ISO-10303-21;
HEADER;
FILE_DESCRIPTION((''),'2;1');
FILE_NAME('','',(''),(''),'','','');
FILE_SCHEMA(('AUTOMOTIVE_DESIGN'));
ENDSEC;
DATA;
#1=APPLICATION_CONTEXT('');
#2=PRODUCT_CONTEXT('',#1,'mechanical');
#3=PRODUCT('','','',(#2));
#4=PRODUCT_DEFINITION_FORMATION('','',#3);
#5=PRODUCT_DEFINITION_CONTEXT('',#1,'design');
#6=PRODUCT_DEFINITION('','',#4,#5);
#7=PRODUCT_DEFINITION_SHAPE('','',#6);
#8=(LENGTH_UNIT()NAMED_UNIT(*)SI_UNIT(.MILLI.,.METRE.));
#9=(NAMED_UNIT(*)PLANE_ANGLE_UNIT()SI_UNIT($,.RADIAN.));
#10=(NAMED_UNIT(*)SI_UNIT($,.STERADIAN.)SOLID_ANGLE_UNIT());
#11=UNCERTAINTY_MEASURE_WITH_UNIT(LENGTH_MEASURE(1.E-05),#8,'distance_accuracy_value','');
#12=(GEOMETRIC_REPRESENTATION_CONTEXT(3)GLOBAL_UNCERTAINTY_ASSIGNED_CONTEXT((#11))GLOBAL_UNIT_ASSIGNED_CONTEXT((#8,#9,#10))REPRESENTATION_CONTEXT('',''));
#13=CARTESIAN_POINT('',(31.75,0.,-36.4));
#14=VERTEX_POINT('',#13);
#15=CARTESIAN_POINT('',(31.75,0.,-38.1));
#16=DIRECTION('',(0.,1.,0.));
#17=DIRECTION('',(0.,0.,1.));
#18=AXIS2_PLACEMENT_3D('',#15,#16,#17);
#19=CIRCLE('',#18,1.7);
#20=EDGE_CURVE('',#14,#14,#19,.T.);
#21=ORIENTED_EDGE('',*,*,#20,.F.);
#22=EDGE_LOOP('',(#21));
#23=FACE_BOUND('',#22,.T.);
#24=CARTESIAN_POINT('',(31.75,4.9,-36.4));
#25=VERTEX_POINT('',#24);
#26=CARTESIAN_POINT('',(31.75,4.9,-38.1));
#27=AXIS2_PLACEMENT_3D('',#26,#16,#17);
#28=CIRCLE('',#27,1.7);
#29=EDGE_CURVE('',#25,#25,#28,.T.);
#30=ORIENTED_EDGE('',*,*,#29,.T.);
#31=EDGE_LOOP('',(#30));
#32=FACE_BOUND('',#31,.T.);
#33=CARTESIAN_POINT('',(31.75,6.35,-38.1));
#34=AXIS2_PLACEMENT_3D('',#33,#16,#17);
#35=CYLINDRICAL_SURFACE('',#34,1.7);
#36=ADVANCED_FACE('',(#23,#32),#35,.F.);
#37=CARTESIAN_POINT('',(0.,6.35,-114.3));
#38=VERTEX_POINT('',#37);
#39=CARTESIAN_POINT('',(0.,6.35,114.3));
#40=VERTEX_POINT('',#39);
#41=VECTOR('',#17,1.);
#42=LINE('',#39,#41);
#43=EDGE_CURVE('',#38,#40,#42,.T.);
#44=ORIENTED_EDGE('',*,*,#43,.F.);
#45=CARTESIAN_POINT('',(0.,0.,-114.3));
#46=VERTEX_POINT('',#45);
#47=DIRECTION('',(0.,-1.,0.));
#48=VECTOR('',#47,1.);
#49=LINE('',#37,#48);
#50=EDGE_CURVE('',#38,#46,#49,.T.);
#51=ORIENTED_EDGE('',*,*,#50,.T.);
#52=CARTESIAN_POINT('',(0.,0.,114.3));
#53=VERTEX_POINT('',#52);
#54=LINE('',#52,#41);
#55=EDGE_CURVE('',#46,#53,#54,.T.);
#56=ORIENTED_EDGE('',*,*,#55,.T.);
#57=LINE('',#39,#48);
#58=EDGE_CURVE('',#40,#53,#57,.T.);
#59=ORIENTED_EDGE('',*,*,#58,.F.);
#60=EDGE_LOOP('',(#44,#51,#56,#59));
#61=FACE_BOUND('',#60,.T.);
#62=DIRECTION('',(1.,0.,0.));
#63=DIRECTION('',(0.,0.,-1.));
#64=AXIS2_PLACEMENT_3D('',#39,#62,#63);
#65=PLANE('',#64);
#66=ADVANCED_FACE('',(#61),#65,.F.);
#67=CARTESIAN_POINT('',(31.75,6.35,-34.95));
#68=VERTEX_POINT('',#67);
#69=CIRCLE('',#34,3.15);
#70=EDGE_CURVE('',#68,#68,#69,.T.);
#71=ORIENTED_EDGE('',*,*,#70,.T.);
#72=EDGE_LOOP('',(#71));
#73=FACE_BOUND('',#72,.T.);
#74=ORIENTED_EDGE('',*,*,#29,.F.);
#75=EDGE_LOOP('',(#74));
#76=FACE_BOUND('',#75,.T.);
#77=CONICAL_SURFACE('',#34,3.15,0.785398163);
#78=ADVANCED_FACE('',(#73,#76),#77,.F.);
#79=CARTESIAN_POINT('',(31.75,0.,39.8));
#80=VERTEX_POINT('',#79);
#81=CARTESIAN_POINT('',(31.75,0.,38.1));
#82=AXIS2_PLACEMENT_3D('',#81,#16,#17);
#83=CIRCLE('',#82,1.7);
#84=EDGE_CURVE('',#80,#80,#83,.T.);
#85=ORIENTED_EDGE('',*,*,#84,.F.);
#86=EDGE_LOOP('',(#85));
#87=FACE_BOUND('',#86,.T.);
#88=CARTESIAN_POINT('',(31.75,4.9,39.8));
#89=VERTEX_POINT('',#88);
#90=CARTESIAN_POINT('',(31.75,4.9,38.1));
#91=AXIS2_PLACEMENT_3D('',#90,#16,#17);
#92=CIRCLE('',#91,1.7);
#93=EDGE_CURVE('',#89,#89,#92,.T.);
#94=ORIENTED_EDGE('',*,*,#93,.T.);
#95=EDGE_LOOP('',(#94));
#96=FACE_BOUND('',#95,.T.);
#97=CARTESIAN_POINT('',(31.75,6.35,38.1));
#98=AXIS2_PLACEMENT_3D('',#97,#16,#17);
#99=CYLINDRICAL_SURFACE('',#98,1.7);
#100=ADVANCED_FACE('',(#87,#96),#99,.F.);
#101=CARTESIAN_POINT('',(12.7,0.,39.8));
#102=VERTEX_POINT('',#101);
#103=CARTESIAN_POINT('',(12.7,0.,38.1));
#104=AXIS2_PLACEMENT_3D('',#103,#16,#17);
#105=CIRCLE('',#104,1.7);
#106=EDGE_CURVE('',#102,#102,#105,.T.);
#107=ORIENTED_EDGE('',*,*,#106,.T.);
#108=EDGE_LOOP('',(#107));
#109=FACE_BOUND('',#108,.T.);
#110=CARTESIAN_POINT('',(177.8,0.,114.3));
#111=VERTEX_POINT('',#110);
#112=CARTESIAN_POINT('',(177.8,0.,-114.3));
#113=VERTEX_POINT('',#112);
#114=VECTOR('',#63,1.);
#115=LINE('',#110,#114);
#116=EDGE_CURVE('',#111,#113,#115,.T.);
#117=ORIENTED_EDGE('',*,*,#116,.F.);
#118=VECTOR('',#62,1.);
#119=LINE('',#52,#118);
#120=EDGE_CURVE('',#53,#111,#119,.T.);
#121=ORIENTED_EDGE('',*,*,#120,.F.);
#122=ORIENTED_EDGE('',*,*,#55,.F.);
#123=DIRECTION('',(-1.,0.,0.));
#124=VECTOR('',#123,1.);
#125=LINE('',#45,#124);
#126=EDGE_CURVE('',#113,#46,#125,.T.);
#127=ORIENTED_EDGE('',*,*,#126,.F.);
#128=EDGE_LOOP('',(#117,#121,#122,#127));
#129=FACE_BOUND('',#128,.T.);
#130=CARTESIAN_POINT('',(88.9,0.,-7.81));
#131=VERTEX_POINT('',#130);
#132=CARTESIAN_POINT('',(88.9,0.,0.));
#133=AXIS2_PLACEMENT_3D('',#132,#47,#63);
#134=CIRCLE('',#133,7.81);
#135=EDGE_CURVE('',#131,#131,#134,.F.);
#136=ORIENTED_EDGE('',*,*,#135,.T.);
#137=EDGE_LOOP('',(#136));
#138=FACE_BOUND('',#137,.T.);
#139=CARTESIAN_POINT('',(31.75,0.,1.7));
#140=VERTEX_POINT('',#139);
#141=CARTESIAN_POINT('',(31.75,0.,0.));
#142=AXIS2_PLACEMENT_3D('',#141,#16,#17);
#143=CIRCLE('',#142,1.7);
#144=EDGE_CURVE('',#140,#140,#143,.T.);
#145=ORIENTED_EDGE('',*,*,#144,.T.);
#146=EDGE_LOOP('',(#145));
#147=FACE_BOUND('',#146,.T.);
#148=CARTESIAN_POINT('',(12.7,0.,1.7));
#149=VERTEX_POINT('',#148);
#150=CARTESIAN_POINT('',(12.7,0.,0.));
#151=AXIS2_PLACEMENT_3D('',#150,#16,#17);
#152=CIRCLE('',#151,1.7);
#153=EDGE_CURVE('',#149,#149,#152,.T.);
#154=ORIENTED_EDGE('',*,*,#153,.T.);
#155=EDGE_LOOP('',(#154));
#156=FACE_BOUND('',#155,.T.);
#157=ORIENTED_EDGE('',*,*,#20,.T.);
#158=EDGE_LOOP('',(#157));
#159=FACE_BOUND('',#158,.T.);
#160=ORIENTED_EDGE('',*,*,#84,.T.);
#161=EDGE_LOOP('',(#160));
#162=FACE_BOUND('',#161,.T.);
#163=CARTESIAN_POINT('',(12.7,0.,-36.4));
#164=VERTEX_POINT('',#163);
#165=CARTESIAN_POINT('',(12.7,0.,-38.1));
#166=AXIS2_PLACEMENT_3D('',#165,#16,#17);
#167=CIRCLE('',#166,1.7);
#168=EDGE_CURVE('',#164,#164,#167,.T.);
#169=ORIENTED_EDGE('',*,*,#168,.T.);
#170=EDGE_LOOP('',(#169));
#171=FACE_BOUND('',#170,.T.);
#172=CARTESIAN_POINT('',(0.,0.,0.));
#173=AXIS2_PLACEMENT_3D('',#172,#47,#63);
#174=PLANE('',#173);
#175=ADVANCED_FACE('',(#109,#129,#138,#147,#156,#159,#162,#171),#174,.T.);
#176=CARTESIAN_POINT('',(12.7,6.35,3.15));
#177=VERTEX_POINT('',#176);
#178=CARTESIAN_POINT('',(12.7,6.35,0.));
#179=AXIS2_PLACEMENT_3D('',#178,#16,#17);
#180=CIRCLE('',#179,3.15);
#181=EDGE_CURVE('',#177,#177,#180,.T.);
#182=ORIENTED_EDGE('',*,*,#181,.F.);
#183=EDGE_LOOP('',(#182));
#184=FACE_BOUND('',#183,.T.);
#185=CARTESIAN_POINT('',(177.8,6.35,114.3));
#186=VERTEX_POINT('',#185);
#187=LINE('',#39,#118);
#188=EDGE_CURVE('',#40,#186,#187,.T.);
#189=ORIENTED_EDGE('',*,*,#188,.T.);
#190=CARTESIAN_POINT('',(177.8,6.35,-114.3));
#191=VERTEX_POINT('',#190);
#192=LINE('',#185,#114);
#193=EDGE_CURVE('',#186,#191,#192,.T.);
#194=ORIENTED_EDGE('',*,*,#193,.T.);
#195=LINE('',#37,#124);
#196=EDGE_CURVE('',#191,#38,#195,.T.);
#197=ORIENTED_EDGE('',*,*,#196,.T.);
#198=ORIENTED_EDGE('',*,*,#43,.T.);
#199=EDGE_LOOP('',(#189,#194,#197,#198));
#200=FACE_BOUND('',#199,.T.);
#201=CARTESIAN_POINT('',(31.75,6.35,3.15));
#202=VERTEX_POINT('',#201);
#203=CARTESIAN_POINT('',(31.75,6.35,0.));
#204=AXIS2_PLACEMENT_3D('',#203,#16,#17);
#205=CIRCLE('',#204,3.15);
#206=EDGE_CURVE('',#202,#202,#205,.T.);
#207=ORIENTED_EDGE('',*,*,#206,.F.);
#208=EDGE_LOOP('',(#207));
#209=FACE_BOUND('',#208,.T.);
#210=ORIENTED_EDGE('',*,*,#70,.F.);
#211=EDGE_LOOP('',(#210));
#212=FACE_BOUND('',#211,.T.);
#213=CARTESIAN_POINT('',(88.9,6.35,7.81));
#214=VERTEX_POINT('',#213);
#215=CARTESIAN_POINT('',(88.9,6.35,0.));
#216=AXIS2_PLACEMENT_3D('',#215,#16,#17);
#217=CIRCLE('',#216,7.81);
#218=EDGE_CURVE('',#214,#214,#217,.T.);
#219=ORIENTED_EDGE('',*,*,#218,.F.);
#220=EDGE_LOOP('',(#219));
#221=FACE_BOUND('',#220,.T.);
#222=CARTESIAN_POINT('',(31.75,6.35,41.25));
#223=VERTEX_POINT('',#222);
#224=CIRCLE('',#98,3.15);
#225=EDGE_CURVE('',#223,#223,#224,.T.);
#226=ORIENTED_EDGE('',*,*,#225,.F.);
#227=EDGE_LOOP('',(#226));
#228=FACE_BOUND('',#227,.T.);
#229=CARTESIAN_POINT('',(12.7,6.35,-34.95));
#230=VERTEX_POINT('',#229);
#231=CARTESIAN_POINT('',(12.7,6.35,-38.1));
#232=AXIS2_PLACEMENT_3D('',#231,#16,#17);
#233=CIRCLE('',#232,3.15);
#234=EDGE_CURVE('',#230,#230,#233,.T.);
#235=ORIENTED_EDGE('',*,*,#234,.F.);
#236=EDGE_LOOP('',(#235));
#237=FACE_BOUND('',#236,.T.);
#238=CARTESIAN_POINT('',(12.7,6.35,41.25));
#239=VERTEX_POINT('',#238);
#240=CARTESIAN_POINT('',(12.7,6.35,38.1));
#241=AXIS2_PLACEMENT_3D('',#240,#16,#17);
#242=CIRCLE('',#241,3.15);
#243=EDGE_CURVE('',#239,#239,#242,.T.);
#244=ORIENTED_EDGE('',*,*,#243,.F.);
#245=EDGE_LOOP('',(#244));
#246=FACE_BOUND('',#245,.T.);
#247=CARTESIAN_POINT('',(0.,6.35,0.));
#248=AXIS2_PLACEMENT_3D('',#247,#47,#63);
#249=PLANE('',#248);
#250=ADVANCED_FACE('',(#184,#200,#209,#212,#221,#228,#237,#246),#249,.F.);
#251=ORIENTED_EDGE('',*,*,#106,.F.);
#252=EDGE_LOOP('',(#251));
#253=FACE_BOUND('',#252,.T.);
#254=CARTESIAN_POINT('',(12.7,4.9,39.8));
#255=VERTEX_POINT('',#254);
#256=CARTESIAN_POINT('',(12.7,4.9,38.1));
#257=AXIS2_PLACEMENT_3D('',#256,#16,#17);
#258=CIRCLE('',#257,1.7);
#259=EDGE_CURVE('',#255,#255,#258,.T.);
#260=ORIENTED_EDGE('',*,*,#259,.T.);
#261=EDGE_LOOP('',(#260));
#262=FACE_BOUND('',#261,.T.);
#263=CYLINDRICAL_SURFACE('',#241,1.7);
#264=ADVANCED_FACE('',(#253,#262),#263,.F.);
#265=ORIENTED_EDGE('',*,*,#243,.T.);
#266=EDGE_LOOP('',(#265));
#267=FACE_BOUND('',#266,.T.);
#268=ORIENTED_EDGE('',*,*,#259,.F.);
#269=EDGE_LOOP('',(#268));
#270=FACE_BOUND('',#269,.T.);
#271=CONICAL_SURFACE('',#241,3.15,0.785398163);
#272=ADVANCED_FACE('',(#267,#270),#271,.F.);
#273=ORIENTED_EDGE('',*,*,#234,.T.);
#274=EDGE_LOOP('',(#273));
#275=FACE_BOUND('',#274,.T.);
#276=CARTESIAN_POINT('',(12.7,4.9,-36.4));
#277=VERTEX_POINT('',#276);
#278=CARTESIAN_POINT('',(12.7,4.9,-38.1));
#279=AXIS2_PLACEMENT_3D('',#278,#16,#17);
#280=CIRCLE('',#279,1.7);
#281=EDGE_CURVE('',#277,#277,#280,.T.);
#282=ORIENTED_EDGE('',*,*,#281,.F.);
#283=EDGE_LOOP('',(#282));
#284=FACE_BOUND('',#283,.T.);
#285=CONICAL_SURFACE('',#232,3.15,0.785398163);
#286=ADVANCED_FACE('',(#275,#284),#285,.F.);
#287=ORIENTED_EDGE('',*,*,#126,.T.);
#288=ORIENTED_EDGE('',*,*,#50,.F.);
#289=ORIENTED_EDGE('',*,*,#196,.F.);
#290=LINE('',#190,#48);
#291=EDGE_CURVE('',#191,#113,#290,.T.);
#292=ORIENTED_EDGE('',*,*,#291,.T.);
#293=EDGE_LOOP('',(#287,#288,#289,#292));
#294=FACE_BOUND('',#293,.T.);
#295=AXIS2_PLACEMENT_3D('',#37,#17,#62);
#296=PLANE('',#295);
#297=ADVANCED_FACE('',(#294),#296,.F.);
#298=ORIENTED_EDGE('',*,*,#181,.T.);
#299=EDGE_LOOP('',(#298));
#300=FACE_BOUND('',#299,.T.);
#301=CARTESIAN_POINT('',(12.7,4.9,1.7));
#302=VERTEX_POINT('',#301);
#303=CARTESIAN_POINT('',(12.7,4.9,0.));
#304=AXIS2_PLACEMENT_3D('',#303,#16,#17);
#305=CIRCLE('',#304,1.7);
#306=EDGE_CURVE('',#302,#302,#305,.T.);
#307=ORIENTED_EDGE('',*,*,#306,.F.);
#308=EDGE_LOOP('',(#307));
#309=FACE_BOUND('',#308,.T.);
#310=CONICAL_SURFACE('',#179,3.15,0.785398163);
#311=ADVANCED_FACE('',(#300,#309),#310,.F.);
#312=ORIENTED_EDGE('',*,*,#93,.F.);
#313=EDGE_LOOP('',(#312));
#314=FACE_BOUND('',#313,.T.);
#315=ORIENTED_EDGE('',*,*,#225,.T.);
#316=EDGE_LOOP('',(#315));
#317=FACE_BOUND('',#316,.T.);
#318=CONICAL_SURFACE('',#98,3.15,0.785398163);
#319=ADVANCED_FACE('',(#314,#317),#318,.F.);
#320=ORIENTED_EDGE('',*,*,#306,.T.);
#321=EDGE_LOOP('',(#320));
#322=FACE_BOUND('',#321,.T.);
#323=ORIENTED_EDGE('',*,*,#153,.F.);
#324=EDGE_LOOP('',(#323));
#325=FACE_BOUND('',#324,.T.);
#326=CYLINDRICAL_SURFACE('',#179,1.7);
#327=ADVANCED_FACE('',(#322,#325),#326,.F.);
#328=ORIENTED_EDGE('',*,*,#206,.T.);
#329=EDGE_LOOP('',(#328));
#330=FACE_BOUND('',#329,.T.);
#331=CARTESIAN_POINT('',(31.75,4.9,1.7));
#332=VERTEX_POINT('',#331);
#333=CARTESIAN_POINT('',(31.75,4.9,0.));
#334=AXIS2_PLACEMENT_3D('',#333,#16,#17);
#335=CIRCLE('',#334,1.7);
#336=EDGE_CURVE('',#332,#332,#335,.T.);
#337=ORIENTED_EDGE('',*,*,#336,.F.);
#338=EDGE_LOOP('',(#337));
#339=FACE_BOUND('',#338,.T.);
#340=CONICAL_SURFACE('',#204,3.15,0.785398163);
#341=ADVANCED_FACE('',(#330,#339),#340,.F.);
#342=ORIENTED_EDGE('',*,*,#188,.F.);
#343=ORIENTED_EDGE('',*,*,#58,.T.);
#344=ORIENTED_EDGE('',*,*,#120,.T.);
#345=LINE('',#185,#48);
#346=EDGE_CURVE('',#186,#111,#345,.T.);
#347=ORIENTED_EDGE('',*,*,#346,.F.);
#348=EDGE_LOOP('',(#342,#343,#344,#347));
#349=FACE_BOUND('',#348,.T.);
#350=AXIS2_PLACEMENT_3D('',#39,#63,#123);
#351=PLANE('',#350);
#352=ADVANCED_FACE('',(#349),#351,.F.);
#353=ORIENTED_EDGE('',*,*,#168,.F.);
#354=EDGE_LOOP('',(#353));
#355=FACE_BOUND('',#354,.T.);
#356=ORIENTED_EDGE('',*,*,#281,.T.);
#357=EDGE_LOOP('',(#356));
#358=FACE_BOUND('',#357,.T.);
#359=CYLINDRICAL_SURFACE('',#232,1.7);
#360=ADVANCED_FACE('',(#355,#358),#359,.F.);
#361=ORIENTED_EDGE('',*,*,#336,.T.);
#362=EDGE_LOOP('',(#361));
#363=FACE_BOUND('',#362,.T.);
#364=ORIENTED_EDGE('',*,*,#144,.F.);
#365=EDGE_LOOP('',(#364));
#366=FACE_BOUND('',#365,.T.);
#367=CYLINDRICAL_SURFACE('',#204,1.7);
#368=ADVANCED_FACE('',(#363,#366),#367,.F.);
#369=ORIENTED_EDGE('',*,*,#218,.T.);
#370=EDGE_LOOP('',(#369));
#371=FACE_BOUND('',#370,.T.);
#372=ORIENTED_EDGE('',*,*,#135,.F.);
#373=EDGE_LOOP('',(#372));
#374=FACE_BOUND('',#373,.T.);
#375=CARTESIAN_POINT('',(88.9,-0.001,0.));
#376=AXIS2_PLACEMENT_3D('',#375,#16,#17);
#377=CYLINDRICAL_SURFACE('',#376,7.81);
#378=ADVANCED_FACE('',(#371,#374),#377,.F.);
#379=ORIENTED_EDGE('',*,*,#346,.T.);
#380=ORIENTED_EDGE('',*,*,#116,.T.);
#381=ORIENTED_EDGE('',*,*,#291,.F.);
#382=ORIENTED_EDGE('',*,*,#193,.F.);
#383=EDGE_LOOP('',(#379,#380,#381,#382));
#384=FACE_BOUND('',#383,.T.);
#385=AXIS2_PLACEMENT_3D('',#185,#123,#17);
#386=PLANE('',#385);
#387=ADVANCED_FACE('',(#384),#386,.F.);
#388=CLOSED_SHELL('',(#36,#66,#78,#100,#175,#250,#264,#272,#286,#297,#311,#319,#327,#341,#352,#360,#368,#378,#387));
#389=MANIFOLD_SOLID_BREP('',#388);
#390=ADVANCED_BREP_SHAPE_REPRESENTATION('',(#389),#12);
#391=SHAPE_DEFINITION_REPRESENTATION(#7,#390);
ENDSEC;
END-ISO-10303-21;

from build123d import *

# Parameters (mm, degrees)
SKETCH1_W                                            = 177.8
SKETCH1_H                                            = 228.6
BOSS_EXTRUDE1_DEPTH                                  = 6.35
CUT_EXTRUDE1_REACH                                   = 213.465
SKETCH6_R                                            = 7.810000001
THREADED_CSK_FOR_M3_10_FLAT_HEAD_MACHINE_D           = 3.4
THREADED_CSK_FOR_M3_10_FLAT_HEAD_MACHINE_CSINK_D     = 6.3
THREADED_CSK_FOR_M3_10_FLAT_HEAD_MACHINE_CSINK_ANGLE = 90


with BuildPart() as part:
    # Sketch1 → Boss-Extrude1 (new body)
    with BuildSketch(Plane(origin=(0, 0, 0), x_dir=(1, 0, 0), z_dir=(0, 1, 0))):
        with Locations((88.9, 0)):
            Rectangle(SKETCH1_W, SKETCH1_H)
    extrude(amount=BOSS_EXTRUDE1_DEPTH)

    # Sketch6 → Cut-Extrude1 (cut, up to next)
    with BuildSketch(Plane(origin=(0, 6.35, 0), x_dir=(1, 0, 0), z_dir=(0, 1, 0)), mode=Mode.PRIVATE) as cut_extrude1_sk1:
        with Locations(Location((88.9, 0, 0), (0, 0, 270))):
            Circle(SKETCH6_R)
    cut_extrude1_tool1 = extrude(cut_extrude1_sk1.sketch, amount=-CUT_EXTRUDE1_REACH, mode=Mode.PRIVATE) & part.part
    add(cut_extrude1_tool1.solids().sort_by_distance((88.9, 6.35, 0))[0], mode=Mode.SUBTRACT)

    # Threaded CSK for M3-10 Flat Head Machine Screw1 (through all)
    with Locations(Plane(origin=(0, 6.35, 0), x_dir=(-1, 0, 0), z_dir=(0, 1, 0))):
        with Locations((-12.7, 0), (-12.7, 38.1), (-31.75, 38.1), (-12.7, -38.1), (-31.75, -38.1), (-31.75, 0)):
            CounterSinkHole(THREADED_CSK_FOR_M3_10_FLAT_HEAD_MACHINE_D / 2, THREADED_CSK_FOR_M3_10_FLAT_HEAD_MACHINE_CSINK_D / 2, counter_sink_angle=THREADED_CSK_FOR_M3_10_FLAT_HEAD_MACHINE_CSINK_ANGLE)


solid = part.part
